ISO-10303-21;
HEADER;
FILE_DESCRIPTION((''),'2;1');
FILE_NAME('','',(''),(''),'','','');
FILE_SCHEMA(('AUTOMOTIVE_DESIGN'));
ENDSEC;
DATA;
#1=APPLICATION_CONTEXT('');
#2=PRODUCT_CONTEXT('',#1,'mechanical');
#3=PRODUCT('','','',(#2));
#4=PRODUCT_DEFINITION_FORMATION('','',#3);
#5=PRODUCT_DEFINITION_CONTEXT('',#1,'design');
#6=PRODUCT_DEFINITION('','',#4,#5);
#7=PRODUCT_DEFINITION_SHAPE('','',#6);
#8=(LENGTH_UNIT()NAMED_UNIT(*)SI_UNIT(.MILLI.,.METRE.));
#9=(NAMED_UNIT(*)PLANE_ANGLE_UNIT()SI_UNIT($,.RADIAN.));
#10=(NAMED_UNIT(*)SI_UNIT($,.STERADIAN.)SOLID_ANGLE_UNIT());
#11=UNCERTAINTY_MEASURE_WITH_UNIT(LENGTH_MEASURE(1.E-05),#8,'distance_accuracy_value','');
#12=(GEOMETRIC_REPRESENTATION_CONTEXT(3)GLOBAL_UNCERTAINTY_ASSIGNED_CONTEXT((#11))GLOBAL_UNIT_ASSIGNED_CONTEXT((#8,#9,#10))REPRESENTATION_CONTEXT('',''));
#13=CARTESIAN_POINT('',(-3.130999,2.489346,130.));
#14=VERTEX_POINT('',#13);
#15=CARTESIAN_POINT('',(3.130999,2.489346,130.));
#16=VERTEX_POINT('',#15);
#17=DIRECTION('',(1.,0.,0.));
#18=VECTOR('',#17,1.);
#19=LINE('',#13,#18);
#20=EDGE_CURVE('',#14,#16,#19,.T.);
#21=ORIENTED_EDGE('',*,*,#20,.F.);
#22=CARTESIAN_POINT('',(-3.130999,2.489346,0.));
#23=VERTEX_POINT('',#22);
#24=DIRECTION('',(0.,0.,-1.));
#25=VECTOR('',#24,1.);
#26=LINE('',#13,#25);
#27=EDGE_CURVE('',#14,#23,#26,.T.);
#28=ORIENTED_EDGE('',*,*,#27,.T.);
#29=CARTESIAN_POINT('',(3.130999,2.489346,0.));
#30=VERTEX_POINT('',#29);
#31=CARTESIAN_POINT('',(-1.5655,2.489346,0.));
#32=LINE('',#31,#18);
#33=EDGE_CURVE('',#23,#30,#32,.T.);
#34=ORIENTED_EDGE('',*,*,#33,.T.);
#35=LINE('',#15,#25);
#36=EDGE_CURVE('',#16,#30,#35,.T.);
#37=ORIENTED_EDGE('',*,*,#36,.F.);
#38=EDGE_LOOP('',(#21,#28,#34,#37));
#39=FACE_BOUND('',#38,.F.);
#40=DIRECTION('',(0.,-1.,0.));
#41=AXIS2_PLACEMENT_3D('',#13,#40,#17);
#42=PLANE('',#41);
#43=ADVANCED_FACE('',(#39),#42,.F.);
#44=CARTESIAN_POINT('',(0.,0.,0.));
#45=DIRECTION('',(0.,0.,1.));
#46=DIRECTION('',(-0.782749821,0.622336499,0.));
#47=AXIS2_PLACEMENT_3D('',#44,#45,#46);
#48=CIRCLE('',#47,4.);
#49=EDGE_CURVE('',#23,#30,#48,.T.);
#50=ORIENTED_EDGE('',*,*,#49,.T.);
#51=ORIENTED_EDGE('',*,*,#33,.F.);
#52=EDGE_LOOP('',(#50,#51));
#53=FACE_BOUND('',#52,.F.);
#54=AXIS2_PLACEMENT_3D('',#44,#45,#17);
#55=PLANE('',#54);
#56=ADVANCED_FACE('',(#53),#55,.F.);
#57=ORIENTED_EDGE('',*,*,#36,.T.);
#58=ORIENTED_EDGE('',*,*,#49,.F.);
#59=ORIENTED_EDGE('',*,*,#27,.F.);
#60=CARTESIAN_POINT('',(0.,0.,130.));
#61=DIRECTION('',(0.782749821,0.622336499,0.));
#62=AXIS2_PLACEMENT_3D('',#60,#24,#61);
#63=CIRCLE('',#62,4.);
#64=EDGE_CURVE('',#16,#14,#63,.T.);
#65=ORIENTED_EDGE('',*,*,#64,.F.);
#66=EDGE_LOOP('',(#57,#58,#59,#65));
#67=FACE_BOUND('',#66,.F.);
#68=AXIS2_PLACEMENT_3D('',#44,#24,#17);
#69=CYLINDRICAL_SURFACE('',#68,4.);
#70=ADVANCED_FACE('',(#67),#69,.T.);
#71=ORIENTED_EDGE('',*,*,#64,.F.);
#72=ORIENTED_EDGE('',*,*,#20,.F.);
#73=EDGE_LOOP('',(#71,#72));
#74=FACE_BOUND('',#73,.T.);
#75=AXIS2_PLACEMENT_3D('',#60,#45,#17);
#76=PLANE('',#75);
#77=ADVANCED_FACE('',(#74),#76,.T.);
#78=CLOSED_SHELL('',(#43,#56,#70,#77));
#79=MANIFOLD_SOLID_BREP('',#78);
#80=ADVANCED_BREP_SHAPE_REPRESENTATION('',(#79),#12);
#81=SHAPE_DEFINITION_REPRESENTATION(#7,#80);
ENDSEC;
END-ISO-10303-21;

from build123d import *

# Parameters (mm, degrees)
SKETCH2_R               = 4
BOSS_EXTRUDE1_DEPTH     = 130
CUT_EXTRUDE1_DEPTH      = 1
CUT_EXTRUDE1_DEPTH_BACK = 131


with BuildPart() as part:
    # Sketch2 → Boss-Extrude1 (new body)
    with BuildSketch(Plane.XY):
        Circle(SKETCH2_R)
    extrude(amount=BOSS_EXTRUDE1_DEPTH)

    # Sketch3 → Cut-Extrude1 (cut, two sides)
    with BuildSketch(Plane.XY.offset(130)) as cut_extrude1_sk:
        with BuildLine():
            Line((-3.130999283, 2.489345996), (3.130999283, 2.489345996))
            ThreePointArc((3.130999283, 2.489345996), (0, 4), (-3.130999283, 2.489345996))
        make_face()
    extrude(amount=CUT_EXTRUDE1_DEPTH, mode=Mode.SUBTRACT)
    extrude(cut_extrude1_sk.sketch, amount=-CUT_EXTRUDE1_DEPTH_BACK, mode=Mode.SUBTRACT)


solid = part.part
